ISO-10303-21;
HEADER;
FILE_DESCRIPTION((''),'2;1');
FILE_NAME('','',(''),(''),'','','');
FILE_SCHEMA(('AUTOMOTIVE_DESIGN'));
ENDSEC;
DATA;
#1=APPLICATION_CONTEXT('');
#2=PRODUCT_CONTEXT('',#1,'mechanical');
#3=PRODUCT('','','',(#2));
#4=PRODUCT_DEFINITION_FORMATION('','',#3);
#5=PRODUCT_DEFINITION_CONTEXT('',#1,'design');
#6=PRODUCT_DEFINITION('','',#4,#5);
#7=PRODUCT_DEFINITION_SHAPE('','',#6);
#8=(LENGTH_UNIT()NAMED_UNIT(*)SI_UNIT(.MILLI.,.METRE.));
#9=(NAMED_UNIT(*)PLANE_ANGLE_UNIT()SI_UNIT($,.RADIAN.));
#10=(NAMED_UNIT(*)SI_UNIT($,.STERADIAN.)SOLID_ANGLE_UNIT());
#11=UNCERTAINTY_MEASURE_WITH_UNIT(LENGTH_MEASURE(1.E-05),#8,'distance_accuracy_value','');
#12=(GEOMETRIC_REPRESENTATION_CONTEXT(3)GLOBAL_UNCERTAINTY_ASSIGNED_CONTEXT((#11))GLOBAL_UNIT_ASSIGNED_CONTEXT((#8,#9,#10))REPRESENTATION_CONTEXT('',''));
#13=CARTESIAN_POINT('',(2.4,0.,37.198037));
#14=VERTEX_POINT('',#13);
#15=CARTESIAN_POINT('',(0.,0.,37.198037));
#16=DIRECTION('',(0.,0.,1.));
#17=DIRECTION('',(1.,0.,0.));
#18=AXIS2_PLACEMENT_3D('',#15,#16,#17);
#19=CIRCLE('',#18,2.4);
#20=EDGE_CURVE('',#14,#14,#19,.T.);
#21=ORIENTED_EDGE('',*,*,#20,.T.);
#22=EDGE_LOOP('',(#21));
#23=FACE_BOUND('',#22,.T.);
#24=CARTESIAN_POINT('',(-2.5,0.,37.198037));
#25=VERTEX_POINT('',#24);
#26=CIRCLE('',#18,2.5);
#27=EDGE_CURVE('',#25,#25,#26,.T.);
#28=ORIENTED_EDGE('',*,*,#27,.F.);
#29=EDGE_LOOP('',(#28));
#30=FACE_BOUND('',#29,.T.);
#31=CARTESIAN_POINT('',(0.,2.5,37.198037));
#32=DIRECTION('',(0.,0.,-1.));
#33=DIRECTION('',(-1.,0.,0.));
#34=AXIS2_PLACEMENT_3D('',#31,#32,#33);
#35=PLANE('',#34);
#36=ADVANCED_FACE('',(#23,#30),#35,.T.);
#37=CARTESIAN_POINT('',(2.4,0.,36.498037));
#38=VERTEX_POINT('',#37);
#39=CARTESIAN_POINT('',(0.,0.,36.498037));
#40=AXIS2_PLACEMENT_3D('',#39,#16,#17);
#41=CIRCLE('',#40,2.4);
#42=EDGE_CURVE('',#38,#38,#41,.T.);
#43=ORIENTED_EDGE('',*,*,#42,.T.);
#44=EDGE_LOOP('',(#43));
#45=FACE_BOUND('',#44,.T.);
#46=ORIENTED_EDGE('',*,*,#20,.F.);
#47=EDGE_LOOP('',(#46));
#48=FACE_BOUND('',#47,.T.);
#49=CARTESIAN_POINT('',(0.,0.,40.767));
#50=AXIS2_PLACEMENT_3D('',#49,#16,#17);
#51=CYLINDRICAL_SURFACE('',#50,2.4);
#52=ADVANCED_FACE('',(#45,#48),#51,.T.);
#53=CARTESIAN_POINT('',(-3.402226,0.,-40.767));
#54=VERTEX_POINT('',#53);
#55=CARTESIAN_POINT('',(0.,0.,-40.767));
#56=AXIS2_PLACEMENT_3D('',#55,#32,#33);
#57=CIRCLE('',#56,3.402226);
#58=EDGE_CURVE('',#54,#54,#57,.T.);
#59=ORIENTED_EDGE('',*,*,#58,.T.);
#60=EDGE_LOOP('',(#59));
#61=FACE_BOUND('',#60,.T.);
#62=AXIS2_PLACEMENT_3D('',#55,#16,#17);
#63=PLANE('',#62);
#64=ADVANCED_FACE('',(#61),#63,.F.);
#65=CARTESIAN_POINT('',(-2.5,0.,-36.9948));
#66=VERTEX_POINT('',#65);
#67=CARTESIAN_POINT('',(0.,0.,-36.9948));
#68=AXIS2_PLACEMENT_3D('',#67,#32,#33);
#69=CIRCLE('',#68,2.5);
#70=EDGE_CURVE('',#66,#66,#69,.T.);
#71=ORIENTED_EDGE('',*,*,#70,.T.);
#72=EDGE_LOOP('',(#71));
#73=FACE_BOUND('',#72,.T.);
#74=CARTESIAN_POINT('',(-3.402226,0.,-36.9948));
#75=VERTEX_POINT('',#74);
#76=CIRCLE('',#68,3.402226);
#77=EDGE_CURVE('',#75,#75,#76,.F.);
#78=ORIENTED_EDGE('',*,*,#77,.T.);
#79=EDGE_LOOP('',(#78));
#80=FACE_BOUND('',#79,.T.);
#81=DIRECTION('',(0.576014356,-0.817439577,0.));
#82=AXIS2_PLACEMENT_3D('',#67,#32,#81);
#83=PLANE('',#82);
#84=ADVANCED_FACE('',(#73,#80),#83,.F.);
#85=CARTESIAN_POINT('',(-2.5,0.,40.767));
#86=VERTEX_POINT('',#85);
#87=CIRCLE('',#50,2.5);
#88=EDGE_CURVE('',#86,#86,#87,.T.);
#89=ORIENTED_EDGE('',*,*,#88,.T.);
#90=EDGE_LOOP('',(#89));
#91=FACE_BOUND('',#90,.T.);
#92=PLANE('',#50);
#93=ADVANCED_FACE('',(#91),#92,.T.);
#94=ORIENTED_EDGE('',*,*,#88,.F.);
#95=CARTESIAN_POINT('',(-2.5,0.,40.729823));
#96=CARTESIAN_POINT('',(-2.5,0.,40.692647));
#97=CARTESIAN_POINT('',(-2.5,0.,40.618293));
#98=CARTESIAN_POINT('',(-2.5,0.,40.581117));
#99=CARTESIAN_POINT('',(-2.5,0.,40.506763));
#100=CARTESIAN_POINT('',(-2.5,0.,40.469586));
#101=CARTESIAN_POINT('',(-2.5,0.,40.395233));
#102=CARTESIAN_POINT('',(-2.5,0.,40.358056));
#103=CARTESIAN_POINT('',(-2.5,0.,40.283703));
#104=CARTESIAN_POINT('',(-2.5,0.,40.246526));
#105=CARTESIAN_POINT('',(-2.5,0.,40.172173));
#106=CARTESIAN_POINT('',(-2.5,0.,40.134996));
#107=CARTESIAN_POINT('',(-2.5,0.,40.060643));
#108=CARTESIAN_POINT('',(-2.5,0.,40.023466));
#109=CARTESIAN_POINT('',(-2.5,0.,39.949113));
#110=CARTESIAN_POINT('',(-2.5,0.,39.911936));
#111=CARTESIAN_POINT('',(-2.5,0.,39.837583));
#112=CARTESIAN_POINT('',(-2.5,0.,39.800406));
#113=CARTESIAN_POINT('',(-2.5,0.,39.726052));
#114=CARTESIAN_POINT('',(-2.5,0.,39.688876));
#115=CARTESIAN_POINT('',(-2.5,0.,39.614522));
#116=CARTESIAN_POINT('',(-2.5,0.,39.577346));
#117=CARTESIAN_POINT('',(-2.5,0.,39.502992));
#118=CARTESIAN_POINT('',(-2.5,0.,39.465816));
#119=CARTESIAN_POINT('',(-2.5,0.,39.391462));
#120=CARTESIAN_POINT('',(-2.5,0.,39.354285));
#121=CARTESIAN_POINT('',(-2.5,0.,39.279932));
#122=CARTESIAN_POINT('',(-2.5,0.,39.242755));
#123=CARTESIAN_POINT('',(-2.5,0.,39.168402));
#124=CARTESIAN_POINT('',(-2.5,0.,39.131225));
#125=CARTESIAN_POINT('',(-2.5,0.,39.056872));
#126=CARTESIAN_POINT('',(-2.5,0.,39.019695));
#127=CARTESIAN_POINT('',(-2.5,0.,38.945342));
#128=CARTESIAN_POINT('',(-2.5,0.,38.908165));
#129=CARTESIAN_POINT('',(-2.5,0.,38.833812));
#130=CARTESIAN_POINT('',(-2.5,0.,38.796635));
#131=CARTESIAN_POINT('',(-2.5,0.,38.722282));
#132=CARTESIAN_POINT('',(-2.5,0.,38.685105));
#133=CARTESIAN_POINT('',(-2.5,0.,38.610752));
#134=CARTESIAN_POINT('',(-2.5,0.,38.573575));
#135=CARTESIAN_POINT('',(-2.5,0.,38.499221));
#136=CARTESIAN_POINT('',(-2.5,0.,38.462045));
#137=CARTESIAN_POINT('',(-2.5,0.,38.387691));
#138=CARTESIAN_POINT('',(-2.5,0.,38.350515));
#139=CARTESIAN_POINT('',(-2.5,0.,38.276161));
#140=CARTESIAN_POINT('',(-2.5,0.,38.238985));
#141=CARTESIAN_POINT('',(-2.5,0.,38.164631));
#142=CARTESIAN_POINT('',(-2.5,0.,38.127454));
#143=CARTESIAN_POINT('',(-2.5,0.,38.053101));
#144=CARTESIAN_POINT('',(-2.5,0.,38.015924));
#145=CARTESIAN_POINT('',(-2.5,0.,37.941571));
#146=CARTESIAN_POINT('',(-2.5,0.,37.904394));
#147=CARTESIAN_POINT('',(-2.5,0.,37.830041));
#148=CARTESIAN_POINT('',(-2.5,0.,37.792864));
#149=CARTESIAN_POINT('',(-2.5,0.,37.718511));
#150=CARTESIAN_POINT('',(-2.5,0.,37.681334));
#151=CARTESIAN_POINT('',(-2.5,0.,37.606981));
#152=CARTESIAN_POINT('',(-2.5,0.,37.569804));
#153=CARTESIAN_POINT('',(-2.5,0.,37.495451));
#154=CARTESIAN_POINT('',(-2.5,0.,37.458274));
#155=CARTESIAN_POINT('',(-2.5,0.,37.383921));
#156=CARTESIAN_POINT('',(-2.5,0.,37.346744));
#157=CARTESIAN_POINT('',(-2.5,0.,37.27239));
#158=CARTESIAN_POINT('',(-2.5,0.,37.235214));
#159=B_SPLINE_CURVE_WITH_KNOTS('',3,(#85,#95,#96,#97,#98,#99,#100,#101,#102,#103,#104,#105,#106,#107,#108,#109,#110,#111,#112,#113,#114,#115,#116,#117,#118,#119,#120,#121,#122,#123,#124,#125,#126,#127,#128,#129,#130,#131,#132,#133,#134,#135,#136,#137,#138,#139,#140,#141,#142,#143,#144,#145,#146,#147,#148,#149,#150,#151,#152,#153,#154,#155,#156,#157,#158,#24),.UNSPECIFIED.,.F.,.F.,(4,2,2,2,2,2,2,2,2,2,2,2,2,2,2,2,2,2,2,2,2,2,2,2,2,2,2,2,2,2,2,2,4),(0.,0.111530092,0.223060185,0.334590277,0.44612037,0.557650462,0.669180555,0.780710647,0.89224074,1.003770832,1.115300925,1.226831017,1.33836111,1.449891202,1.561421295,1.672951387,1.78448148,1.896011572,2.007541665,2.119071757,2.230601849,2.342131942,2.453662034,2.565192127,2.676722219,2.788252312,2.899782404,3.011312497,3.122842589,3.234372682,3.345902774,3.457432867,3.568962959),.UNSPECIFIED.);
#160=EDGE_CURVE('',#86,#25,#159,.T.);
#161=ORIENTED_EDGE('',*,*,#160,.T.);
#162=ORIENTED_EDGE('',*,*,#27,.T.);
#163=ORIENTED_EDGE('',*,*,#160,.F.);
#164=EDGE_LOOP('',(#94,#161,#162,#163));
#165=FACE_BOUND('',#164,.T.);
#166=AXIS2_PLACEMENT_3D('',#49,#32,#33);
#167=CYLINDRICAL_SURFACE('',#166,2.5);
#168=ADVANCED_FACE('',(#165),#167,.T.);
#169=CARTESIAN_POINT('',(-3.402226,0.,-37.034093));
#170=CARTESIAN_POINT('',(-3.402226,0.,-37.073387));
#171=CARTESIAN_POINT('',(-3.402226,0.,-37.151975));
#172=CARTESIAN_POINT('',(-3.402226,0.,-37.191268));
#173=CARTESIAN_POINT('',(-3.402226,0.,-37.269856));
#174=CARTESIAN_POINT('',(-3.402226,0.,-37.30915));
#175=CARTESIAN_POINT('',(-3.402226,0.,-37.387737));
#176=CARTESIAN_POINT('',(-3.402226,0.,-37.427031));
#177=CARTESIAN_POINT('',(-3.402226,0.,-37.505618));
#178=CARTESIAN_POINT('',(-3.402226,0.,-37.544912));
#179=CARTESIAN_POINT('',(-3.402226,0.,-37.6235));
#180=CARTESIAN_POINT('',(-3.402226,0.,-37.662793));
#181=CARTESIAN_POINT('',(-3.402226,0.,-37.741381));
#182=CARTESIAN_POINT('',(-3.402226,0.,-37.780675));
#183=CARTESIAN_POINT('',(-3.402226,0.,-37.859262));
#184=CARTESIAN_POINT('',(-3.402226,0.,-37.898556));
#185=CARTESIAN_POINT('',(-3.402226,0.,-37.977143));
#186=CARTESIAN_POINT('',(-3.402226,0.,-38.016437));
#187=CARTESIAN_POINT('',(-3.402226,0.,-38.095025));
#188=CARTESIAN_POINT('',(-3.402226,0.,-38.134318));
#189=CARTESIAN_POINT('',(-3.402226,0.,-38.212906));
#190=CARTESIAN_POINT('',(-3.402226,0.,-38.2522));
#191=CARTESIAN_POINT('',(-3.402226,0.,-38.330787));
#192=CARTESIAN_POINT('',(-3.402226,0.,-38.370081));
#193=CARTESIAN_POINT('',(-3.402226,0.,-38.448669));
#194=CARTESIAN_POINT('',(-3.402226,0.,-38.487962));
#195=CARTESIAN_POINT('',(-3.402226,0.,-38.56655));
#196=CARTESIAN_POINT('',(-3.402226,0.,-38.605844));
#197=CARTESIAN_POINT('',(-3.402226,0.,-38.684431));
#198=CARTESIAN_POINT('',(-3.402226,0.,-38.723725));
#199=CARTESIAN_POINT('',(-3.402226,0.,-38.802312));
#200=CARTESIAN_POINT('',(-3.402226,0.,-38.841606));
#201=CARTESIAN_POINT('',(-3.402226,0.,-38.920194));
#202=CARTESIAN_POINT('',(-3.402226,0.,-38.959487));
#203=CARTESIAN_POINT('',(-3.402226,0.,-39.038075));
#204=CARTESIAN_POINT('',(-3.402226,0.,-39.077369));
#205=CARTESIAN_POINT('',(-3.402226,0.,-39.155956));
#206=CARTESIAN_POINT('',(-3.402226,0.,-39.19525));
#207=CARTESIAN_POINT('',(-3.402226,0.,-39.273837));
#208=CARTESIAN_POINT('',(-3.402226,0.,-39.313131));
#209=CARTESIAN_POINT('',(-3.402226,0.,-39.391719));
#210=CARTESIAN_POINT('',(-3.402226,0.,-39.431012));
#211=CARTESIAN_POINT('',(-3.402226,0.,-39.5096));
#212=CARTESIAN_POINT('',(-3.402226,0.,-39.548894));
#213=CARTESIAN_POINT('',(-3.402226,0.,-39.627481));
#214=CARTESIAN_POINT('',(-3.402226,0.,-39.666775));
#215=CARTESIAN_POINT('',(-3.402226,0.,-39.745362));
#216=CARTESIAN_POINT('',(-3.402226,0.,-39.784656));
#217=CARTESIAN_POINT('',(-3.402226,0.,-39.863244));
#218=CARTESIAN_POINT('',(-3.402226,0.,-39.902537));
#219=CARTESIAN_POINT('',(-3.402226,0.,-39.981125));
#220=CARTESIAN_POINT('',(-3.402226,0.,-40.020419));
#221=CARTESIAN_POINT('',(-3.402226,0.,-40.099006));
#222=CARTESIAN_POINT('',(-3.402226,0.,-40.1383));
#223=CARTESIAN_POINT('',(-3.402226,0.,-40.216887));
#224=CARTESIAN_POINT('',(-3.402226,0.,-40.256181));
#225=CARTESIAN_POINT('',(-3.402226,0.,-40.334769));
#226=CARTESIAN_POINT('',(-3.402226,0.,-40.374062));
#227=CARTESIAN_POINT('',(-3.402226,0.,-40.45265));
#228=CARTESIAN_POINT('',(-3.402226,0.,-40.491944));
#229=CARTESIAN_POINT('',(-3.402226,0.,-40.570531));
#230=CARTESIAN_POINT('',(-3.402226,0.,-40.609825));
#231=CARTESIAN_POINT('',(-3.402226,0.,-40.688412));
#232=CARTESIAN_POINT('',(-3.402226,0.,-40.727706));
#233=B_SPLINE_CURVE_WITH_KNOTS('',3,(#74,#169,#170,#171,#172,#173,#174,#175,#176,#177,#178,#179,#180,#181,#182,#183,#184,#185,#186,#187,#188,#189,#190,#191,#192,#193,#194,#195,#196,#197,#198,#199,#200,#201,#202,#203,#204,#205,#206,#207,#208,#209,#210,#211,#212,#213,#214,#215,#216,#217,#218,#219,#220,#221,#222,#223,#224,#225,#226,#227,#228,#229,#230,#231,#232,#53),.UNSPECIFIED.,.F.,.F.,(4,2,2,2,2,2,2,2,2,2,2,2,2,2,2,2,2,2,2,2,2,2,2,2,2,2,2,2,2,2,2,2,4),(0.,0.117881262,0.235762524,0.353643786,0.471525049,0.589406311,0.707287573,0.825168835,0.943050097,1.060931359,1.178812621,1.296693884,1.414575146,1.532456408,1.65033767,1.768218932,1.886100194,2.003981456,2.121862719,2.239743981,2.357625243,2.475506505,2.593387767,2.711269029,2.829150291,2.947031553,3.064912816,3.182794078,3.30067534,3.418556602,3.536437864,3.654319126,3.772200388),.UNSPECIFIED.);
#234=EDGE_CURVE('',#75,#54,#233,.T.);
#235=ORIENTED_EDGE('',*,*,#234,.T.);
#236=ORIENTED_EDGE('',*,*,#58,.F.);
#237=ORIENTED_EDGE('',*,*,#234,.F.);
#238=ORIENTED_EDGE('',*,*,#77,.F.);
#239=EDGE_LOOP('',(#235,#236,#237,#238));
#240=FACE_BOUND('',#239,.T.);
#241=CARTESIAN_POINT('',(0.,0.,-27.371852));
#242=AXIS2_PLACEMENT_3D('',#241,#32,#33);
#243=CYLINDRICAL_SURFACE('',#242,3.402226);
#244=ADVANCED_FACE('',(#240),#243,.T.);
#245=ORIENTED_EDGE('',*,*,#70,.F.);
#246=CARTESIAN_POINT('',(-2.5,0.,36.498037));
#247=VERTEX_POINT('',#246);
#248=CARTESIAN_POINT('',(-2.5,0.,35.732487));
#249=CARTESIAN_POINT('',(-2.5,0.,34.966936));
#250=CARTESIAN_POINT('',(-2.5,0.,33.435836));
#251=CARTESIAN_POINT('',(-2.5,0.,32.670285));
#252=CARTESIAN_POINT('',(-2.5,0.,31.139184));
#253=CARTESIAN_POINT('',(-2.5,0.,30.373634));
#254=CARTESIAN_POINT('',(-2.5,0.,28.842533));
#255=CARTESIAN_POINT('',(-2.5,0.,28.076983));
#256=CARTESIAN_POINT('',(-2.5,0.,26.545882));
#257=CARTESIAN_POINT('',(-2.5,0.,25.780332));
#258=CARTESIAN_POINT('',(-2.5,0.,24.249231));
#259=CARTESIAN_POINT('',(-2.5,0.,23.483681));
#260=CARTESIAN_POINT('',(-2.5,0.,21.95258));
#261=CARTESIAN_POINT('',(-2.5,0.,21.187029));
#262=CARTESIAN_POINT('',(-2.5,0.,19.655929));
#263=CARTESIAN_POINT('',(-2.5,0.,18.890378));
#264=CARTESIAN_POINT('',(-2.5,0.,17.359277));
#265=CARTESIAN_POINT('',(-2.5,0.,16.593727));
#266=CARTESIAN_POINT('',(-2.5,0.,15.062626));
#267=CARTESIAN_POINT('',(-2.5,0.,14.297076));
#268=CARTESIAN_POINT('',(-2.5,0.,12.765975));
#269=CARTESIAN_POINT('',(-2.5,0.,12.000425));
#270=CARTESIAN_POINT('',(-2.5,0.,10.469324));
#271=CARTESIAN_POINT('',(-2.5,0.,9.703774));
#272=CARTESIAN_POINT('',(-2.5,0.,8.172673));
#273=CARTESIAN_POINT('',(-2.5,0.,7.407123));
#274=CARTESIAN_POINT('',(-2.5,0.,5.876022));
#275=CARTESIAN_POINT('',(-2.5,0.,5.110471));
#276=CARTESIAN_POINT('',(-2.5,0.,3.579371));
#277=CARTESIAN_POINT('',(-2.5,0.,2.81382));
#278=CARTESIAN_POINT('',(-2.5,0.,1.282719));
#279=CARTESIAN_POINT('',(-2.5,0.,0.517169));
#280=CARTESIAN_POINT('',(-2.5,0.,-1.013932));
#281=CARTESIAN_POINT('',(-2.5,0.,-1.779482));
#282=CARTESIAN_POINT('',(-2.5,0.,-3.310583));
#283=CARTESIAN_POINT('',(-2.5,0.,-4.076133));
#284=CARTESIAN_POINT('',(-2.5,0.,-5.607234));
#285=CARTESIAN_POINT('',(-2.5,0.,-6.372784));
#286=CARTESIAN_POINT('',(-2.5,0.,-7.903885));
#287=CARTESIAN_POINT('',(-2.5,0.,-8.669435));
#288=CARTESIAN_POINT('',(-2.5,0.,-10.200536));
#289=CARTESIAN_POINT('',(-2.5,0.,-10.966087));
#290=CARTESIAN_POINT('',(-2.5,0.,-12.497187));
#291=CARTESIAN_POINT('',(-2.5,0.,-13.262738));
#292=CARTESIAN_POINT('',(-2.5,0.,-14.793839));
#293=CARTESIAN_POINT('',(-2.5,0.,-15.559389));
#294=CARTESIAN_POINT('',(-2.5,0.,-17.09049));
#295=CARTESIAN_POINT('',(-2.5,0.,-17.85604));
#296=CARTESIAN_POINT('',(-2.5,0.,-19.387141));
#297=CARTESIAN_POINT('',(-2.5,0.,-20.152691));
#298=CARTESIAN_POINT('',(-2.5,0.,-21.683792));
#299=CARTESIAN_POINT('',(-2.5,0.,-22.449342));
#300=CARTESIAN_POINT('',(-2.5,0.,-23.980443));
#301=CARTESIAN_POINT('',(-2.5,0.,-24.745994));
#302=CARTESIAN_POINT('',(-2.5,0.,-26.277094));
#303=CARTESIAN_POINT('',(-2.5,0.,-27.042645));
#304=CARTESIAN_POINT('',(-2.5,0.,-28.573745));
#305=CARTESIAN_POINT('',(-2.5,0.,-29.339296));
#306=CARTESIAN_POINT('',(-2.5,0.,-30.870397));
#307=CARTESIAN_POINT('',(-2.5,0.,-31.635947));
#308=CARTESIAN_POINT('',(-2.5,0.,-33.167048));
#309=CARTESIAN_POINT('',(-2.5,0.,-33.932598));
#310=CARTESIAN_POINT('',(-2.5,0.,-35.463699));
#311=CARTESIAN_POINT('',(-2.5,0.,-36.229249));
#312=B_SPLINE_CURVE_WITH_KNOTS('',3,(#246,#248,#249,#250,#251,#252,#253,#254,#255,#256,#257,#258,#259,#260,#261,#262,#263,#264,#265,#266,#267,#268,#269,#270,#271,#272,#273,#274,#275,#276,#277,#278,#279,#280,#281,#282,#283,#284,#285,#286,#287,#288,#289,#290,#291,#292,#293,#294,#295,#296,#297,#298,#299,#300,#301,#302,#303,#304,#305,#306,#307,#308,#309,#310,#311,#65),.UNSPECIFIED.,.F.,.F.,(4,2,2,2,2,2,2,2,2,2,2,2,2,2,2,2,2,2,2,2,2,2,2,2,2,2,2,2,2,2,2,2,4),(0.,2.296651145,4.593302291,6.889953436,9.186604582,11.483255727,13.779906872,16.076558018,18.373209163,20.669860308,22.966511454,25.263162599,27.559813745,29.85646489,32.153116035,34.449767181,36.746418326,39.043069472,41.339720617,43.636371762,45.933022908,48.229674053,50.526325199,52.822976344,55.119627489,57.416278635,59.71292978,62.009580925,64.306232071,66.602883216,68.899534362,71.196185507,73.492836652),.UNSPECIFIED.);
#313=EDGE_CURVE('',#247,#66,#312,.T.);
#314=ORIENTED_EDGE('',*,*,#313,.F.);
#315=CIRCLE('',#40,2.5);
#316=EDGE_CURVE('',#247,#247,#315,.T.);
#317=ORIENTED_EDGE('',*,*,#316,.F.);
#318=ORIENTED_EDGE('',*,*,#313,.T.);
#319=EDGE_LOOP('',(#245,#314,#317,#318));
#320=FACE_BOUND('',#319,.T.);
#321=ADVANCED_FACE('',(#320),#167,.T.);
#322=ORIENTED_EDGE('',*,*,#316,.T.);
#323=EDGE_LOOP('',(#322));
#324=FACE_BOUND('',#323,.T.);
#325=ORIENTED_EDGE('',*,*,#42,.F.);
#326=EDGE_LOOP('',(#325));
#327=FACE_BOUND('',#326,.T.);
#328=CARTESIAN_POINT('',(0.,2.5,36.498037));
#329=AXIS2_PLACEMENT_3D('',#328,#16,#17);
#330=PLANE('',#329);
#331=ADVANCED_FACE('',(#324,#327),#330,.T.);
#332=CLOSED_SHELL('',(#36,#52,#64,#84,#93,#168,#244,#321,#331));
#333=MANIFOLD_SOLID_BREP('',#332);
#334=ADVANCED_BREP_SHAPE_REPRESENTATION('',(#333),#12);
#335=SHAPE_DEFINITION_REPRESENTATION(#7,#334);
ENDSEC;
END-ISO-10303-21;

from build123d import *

# Parameters (mm, degrees)
SKETCH1_R           = 2.5
BOSS_EXTRUDE1_DEPTH = 40.767
SKETCH2_W           = 0.7
SKETCH2_H           = 0.1
SKETCH4_R           = 3.402225697
BOSS_EXTRUDE2_DEPTH = 3.772200388


with BuildPart() as part:
    # Sketch1 → Boss-Extrude1 (new, symmetric)
    with BuildSketch(Plane.XY):
        with Locations(Location((0, 0, 0), (0, 0, 180))):
            Circle(SKETCH1_R)
    extrude(amount=BOSS_EXTRUDE1_DEPTH, both=True)

    # Sketch2 → Cut-Revolve1 (revolve, cut)
    with BuildSketch(Plane(origin=(0, 0, 0), x_dir=(0, 0, -1), z_dir=(1, 0, 0)), mode=Mode.PRIVATE) as cut_revolve1_sk:
        with Locations((-36.848037041, 2.45)):
            Rectangle(SKETCH2_W, SKETCH2_H)
    revolve(cut_revolve1_sk.sketch.rotate(Axis((0, 0, 40.767), (0, 0, -1)), 270), axis=Axis((0, 0, 40.767), (0, 0, -1)), mode=Mode.SUBTRACT)

    # Sketch4 → Boss-Extrude2 (add)
    with BuildSketch(Plane(origin=(0, 0, -40.767), x_dir=(-1, 0, 0), z_dir=(0, 0, -1))):
        Circle(SKETCH4_R)
    extrude(amount=-BOSS_EXTRUDE2_DEPTH)


solid = part.part
